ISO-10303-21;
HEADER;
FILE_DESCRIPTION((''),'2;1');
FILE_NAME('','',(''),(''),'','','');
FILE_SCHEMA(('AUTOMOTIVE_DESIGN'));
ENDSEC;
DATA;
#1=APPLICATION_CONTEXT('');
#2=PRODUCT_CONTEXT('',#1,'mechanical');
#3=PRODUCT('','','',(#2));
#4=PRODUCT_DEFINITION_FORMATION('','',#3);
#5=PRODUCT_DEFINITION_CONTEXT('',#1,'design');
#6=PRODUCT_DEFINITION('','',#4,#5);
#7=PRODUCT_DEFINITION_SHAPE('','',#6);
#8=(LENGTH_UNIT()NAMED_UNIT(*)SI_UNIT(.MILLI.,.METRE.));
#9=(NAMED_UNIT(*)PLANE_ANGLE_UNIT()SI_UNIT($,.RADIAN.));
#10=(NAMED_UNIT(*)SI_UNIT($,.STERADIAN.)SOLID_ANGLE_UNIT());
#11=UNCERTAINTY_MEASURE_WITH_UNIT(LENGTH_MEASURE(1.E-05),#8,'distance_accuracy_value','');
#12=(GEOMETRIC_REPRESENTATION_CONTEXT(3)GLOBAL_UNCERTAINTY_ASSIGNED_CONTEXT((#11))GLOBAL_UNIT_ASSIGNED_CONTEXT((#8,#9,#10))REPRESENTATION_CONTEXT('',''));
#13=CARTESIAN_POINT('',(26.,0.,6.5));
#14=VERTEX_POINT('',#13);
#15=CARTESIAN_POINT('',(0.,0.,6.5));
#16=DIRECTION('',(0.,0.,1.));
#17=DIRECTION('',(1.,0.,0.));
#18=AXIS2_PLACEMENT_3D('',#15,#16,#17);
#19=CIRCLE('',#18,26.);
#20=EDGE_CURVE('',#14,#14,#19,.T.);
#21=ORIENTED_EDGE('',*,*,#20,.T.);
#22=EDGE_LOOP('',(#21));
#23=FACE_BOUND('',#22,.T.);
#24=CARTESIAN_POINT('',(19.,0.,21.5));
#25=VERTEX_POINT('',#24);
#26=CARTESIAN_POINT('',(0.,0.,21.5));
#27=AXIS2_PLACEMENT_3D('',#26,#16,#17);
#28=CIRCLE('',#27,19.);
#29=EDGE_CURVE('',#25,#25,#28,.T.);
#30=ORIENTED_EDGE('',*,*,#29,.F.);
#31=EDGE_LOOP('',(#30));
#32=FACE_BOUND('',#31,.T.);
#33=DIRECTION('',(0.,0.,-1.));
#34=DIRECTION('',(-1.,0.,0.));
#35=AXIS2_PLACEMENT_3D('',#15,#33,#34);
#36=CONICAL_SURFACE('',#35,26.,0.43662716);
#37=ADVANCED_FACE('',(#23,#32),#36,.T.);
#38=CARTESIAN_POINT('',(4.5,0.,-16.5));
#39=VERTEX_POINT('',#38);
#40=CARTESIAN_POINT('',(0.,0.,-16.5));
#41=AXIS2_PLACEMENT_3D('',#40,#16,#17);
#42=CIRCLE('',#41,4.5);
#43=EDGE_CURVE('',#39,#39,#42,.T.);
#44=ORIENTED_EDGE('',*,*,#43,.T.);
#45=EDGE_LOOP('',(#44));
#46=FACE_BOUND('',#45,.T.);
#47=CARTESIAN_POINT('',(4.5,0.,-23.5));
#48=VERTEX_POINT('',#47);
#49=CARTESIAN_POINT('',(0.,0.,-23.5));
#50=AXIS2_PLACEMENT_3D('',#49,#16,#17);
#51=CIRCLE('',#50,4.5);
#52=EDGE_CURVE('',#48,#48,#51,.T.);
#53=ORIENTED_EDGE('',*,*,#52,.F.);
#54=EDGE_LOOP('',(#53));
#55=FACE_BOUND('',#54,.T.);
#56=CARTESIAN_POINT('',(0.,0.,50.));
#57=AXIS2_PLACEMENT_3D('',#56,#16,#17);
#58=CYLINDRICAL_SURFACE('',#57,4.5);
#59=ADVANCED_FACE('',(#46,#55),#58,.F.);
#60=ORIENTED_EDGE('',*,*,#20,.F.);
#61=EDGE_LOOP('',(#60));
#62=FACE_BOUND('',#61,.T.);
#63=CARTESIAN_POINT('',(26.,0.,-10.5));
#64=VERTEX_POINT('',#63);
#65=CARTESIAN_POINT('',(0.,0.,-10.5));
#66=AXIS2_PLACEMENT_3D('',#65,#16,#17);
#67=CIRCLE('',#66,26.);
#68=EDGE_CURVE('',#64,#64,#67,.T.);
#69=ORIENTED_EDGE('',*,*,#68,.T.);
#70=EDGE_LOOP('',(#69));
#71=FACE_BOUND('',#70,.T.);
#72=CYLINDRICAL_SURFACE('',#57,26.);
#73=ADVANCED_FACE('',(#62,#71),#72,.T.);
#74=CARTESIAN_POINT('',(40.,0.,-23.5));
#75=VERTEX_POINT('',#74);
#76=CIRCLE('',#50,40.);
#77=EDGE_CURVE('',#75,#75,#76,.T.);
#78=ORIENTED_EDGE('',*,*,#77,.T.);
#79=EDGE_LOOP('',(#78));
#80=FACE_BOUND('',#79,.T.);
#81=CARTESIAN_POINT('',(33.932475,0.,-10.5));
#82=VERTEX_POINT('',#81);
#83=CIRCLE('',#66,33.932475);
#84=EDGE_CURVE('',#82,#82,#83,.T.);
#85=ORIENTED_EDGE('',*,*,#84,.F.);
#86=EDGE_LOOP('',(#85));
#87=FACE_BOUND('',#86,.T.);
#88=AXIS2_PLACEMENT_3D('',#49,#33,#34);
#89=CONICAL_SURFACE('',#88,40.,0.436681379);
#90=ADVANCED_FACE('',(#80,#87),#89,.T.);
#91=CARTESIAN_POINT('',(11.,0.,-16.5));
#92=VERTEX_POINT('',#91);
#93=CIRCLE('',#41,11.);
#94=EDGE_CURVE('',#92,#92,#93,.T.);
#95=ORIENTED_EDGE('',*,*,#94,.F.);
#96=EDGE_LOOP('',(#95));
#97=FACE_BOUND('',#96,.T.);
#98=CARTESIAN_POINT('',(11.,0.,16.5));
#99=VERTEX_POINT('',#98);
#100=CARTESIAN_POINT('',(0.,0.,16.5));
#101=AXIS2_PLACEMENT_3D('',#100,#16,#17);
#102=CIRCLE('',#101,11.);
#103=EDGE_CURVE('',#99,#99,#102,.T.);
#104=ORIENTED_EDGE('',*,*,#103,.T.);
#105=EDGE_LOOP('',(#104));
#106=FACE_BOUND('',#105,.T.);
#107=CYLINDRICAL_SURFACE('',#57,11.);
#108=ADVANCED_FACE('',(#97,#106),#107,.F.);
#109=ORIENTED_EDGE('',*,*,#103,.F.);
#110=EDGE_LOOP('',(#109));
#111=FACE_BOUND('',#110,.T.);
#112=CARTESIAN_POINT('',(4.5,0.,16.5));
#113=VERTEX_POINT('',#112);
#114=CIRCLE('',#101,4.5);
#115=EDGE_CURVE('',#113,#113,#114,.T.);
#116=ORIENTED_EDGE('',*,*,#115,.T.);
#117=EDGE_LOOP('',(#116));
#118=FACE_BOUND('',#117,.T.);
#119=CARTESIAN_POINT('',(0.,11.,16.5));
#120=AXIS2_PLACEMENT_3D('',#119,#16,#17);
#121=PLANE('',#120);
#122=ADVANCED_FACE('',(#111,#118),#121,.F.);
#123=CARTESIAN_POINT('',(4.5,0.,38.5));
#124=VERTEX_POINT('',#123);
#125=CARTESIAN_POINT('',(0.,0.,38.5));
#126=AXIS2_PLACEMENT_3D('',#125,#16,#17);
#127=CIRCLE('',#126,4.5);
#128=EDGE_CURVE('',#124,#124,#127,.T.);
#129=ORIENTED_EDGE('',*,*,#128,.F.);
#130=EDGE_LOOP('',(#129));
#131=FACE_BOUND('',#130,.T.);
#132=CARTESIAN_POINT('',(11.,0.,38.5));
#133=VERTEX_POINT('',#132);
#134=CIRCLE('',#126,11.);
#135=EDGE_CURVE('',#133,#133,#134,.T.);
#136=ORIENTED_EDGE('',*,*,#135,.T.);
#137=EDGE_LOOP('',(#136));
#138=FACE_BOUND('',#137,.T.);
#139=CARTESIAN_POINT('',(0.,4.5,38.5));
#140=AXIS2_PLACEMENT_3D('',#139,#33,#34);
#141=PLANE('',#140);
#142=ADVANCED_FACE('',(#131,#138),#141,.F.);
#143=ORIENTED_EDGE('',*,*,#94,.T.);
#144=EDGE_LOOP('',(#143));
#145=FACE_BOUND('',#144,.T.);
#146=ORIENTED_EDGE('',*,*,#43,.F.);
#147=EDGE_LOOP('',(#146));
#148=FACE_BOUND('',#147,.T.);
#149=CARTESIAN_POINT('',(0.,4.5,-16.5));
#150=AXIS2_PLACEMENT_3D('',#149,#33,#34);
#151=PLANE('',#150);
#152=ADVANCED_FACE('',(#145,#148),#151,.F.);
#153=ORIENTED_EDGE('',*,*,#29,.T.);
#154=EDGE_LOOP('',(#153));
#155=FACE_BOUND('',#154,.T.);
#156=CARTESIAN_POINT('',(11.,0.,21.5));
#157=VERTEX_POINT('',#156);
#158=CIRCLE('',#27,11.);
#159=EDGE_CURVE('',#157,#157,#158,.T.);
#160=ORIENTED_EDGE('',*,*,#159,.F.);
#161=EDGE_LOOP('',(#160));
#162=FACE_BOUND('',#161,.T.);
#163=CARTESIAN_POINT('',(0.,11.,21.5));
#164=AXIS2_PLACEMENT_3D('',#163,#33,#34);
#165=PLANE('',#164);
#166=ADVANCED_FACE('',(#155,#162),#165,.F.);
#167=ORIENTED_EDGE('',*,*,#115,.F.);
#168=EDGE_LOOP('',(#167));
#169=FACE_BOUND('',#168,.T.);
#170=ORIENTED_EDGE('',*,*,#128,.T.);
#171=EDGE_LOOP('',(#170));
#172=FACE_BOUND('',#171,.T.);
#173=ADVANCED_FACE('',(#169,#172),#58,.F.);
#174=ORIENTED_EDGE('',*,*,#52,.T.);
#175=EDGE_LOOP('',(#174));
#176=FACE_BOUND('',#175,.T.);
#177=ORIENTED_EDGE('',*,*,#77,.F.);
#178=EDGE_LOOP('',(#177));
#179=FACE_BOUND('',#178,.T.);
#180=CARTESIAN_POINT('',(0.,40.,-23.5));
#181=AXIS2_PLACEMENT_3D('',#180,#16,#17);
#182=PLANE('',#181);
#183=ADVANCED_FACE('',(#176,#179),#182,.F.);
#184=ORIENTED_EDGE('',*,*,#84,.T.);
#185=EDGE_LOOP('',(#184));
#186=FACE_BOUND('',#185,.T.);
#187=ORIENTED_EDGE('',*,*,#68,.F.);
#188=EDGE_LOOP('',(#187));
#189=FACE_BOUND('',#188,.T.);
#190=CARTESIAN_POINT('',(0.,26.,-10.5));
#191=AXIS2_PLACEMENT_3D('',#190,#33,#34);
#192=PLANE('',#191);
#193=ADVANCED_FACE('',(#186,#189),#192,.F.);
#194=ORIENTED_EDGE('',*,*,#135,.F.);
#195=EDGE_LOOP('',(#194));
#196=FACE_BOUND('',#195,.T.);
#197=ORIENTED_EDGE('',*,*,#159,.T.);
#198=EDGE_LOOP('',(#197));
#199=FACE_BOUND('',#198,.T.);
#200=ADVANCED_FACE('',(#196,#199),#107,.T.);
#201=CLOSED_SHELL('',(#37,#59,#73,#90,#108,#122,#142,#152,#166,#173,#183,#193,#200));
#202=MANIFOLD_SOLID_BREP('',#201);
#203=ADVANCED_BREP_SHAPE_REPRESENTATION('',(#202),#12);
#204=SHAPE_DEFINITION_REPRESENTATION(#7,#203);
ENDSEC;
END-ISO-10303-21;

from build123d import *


with BuildPart() as part:
    # Sketch1 → Revolve1 (revolve)
    with BuildSketch(Plane(origin=(0, 0, 0), x_dir=(0, 0, -1), z_dir=(1, 0, 0)), mode=Mode.PRIVATE) as revolve1_sk:
        Polygon((-38.5, 4.5), (-38.5, 11), (-21.5, 11), (-21.5, 19), (-6.5, 26), (10.5, 26), (10.5, 33.932474964), (23.5, 40), (23.5, 4.5), (16.5, 4.5), (16.5, 11), (-16.5, 11), (-16.5, 4.5), align=None)
    revolve(revolve1_sk.sketch.rotate(Axis((0, 0, 50), (0, 0, -1)), 90), axis=Axis((0, 0, 50), (0, 0, -1)))


solid = part.part
